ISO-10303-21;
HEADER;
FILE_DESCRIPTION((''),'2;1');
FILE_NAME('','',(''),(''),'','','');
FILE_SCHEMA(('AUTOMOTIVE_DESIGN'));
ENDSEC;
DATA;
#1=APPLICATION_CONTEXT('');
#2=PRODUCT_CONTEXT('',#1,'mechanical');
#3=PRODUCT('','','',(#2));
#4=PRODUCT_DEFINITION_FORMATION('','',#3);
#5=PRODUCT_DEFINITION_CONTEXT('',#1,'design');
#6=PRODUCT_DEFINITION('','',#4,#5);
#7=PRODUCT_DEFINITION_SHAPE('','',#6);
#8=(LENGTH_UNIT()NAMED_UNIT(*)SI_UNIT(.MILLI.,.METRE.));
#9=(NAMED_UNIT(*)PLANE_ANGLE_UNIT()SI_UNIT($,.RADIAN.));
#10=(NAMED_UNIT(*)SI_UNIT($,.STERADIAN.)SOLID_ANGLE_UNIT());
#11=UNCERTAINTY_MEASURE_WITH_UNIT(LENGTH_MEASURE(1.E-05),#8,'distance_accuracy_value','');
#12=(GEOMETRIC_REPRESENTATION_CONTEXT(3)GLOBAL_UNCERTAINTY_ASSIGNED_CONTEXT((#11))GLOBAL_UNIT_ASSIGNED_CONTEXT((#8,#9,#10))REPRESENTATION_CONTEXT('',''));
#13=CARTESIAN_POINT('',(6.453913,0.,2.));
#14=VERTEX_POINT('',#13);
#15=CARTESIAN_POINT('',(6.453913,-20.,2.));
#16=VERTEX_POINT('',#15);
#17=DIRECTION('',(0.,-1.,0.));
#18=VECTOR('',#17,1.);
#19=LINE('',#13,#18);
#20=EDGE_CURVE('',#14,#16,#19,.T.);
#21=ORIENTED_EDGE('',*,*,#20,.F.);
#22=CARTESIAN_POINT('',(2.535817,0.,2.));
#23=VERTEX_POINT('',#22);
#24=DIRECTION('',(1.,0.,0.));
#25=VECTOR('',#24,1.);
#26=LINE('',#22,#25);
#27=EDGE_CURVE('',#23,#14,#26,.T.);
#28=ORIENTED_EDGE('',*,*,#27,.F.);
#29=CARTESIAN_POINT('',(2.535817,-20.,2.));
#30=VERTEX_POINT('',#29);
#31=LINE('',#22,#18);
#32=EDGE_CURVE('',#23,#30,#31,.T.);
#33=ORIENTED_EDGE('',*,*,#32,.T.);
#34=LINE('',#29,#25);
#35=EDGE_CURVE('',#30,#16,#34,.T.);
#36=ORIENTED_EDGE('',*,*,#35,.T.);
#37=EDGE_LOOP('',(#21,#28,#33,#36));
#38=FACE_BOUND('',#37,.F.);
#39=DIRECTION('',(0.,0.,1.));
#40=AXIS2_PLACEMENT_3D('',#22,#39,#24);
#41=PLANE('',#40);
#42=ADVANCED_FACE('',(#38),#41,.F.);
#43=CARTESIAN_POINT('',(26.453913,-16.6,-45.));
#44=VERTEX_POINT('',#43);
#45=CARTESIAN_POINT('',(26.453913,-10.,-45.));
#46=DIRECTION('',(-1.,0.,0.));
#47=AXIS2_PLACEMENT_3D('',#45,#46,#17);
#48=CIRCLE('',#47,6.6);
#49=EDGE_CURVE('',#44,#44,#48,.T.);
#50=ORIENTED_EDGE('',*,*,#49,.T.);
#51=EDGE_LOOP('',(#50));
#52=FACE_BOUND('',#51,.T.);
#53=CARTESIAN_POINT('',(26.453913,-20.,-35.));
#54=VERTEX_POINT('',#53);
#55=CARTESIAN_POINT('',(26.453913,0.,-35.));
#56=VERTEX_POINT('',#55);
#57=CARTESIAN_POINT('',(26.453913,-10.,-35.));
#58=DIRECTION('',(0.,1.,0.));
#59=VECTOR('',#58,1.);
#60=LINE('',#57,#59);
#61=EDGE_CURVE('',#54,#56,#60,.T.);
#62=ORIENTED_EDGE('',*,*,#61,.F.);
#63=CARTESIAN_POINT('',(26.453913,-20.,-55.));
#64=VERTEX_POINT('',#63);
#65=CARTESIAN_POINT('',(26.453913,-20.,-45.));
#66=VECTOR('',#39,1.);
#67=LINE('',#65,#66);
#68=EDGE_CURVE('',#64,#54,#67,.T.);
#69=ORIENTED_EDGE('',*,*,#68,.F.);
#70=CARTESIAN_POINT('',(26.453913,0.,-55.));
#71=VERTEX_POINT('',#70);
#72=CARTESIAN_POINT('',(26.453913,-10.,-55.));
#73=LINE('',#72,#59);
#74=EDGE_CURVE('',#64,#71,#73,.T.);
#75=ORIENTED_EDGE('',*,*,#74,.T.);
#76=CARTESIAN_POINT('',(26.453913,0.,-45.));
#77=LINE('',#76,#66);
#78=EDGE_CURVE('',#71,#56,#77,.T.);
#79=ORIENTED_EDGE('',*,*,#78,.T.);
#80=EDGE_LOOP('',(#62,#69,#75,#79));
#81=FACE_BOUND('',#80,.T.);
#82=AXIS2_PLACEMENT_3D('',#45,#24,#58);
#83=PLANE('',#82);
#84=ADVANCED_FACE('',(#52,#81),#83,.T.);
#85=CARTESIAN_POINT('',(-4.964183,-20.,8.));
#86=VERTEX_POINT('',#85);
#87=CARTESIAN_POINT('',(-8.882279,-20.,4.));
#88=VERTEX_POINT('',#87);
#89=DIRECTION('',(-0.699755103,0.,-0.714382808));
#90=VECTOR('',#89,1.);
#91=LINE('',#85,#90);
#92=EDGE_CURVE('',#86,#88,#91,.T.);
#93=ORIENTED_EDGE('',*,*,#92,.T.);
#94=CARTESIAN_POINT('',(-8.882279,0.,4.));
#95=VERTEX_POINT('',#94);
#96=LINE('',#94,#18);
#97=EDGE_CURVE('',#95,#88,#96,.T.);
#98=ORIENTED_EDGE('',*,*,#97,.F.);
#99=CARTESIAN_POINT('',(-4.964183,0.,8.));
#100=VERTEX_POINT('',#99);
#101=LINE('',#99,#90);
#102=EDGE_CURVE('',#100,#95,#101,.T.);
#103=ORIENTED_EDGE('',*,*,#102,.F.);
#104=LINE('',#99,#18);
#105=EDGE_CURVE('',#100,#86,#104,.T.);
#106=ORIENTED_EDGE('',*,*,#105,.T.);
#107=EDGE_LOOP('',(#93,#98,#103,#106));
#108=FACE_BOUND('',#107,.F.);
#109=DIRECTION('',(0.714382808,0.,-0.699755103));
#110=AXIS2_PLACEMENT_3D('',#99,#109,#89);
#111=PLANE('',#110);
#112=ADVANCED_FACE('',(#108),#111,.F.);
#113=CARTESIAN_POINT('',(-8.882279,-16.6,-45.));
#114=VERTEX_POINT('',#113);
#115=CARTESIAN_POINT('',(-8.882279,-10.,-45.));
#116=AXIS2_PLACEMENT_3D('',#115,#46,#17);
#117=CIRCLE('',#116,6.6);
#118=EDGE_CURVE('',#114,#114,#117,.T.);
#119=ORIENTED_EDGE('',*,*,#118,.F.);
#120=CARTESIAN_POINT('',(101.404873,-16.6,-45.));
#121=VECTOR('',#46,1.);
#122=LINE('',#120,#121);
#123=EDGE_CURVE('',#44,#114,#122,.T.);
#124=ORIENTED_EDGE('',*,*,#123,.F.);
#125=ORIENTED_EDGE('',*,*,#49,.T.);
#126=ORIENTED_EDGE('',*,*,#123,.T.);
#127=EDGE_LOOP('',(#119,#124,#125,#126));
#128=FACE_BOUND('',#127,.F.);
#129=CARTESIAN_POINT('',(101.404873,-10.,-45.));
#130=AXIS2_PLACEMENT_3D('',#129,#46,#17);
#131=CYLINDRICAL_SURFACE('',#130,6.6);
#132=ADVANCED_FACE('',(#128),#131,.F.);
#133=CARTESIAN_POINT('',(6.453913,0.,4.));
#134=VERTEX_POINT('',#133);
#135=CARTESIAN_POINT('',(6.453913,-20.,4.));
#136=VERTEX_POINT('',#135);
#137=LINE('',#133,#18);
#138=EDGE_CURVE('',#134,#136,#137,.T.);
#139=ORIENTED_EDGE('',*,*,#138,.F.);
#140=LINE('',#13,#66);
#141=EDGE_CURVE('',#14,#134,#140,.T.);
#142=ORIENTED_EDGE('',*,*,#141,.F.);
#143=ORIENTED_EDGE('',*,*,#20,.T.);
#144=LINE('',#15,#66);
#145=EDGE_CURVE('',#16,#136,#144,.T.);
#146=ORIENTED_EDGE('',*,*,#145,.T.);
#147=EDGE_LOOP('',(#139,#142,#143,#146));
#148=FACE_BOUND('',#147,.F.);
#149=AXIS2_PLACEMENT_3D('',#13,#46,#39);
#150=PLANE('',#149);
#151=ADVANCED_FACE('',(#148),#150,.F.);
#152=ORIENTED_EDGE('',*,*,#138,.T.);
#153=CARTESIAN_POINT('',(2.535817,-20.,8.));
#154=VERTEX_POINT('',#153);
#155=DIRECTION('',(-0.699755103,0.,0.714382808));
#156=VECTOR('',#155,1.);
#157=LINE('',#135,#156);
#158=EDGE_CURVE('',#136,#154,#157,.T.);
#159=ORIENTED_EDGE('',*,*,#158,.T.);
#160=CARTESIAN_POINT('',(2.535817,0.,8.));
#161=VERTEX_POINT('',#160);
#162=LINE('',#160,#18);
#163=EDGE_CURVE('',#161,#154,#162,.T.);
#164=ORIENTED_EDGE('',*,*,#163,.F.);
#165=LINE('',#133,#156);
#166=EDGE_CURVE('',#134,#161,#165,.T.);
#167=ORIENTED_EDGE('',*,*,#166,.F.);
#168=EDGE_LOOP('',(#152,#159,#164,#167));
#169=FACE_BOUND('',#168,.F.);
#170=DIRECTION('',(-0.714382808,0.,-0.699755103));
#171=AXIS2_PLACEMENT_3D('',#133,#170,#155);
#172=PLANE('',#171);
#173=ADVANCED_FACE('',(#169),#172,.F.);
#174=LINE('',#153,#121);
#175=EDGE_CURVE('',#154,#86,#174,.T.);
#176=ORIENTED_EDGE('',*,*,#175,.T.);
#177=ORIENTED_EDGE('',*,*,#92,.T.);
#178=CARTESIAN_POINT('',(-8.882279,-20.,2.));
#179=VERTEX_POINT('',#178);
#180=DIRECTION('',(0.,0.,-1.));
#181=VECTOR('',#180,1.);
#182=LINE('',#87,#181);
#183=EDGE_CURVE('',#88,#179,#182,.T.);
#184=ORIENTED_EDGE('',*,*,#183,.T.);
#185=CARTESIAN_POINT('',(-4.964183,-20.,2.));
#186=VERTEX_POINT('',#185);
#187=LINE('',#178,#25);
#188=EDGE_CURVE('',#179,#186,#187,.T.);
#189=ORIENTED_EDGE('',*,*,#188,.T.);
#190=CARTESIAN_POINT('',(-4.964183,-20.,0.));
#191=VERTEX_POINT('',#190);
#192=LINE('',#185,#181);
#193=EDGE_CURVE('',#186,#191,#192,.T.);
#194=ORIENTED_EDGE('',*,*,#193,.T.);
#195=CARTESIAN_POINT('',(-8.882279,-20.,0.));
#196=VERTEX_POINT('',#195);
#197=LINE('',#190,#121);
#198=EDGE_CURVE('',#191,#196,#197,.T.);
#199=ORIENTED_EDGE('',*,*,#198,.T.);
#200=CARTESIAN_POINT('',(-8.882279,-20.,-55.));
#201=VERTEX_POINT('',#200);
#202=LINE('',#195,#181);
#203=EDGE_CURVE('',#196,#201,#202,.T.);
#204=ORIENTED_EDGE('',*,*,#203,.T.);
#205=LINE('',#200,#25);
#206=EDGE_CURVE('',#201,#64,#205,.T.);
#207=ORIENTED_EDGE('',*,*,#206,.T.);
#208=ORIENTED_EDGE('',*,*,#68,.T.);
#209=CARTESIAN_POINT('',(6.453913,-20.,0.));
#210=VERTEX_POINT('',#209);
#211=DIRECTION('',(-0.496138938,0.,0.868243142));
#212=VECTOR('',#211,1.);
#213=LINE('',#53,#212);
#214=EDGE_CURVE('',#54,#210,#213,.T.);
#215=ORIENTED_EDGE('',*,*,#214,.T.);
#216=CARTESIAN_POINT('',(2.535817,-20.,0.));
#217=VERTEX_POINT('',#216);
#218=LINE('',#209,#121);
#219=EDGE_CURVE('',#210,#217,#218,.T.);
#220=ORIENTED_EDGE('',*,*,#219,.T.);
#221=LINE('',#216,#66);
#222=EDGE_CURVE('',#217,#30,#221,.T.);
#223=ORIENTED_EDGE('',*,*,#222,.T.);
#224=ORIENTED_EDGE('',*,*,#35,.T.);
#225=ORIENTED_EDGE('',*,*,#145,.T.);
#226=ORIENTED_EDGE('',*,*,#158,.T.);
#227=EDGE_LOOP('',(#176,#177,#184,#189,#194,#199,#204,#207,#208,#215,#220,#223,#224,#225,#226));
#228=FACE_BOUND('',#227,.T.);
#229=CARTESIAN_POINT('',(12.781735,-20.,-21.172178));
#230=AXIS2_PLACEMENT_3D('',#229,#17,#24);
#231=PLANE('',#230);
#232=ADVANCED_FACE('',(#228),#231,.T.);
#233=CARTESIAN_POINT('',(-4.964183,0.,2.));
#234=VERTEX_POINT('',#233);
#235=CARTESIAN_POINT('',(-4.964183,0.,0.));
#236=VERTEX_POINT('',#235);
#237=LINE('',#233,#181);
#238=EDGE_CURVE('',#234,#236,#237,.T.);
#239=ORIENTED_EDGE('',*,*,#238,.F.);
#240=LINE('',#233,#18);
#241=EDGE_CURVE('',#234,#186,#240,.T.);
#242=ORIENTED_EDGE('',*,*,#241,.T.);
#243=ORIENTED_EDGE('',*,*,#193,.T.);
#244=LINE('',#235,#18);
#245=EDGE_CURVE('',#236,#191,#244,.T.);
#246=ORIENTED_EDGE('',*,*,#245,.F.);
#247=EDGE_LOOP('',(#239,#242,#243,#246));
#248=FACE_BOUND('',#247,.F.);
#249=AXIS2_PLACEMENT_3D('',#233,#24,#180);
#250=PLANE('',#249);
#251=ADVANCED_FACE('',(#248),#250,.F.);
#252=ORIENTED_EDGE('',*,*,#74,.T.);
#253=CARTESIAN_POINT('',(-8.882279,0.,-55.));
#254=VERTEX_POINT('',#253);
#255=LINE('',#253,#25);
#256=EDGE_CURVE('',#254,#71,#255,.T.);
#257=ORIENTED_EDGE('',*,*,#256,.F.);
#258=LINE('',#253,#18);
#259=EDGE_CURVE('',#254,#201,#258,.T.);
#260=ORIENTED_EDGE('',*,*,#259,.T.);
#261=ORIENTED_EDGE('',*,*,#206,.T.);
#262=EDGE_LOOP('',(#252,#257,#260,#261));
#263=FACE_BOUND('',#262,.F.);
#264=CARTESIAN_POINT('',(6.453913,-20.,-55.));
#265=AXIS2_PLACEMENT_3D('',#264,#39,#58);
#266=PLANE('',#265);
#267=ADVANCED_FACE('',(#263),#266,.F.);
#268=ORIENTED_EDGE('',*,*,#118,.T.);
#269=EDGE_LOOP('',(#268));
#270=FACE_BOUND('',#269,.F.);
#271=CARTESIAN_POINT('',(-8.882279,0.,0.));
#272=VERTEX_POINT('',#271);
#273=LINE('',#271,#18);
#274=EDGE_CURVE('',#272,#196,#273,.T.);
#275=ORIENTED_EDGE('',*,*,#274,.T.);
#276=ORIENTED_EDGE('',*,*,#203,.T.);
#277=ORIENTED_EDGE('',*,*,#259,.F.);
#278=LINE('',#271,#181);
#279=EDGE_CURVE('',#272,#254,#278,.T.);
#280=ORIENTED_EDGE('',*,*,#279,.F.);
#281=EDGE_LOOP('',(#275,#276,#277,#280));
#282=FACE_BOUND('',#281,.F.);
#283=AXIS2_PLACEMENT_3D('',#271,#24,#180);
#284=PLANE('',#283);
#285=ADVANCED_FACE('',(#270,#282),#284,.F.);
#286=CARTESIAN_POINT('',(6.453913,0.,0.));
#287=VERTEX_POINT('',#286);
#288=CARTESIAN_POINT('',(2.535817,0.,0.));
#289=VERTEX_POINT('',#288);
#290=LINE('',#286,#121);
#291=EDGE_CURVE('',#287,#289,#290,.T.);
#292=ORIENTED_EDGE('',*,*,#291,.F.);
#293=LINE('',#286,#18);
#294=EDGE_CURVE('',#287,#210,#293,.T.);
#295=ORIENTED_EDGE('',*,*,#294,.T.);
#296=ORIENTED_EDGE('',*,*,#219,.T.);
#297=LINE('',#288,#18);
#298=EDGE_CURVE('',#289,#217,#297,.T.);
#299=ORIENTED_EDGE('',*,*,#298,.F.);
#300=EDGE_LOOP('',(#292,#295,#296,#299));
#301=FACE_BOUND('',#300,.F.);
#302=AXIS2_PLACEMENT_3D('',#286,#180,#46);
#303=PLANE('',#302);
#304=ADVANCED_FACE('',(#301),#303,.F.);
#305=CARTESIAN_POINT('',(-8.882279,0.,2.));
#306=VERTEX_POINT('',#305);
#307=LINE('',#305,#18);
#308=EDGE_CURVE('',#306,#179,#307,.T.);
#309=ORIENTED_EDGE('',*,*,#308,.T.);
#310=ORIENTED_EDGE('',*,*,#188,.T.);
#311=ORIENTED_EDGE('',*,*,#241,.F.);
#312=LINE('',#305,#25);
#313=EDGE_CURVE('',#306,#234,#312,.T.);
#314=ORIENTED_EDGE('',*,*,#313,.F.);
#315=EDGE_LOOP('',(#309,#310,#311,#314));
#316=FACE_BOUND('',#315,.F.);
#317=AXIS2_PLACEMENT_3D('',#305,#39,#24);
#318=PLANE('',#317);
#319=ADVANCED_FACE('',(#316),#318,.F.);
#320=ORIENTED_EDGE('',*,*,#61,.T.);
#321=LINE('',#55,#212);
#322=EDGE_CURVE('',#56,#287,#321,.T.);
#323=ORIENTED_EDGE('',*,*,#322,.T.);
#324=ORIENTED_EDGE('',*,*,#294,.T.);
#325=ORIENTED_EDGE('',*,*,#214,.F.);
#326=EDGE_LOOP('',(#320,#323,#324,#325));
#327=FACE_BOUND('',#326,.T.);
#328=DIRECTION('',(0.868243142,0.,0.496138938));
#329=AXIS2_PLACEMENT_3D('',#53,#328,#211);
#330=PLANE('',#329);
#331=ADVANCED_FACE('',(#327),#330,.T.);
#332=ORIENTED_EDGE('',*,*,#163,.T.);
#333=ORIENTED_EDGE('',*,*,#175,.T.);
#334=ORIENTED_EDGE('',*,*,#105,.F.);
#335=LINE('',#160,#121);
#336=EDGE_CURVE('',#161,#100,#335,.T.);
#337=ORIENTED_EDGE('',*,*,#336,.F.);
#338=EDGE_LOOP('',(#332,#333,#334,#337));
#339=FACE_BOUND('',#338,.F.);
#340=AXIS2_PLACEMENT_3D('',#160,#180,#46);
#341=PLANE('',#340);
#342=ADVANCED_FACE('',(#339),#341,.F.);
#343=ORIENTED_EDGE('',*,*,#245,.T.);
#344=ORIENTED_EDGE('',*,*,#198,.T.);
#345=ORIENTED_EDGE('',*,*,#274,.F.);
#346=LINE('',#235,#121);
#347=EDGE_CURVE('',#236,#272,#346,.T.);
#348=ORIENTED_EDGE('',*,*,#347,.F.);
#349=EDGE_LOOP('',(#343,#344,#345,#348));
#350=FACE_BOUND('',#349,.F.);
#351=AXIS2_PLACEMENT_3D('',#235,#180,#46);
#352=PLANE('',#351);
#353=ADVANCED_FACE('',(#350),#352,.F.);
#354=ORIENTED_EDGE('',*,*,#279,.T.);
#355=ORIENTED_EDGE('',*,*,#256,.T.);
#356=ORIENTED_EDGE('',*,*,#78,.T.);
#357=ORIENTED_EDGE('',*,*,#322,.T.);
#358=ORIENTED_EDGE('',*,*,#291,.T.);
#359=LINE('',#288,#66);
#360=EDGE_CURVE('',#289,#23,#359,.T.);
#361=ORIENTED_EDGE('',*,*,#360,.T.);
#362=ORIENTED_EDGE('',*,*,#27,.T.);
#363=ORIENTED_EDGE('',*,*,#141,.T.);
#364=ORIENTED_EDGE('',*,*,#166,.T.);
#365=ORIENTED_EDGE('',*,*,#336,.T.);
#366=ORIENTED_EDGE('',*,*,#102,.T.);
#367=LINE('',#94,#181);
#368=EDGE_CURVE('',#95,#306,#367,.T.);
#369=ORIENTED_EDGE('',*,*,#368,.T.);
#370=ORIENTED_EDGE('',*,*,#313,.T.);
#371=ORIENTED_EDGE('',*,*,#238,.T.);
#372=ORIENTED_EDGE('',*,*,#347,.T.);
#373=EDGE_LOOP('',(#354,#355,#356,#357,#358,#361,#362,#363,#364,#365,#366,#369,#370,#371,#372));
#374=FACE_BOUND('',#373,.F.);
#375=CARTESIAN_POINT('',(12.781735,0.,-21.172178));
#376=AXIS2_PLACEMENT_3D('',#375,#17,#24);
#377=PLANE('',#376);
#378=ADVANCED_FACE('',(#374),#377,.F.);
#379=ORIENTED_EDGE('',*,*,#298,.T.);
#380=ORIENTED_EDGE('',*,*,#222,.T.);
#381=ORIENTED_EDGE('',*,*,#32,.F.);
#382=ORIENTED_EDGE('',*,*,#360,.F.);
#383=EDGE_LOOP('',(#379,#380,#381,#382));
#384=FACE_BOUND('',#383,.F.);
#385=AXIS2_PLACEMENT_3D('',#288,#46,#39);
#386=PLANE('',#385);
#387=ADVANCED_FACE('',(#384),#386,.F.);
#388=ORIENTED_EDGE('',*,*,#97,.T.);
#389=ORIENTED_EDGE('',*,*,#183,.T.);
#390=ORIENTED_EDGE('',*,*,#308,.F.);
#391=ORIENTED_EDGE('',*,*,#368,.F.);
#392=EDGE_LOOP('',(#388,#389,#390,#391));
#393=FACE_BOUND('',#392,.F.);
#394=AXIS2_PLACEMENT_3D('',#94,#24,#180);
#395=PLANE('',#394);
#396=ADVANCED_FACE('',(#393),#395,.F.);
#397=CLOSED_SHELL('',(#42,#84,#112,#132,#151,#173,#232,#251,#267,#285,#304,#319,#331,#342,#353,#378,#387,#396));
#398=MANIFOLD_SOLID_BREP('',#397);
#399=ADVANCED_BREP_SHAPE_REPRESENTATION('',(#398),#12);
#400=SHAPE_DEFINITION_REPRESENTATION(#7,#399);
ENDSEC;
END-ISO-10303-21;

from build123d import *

# Parameters (mm, degrees)
F1_DEPTH = 20
F2_W     = 20
F2_H     = 20
F3_DEPTH = 20
F5_D     = 13.2
F7_DEPTH = 20


with BuildPart() as f1:
    # F0 (on Front) → F1 (new body)
    with BuildSketch(Plane.XZ):
        Polygon((-4.964183461, 2), (-4.964183461, 0), (2.535816539, 0), (2.535816539, 2), (6.453912527, 2), (6.453912527, 4), (2.535816539, 8), (-4.964183461, 8), (-8.8822794489, 4), (-8.8822794489, 2), align=None)
        Polygon((2.535816539, 0), (-4.964183461, 0), (-8.8822794489, 0), (-8.8822794489, -55), (6.453912527, -55), (6.453912527, 0), align=None)
    extrude(amount=F1_DEPTH)

    # F2 (on face) → F3 (join)
    with BuildSketch(Plane.YZ.offset(6.453912527)):
        with Locations((-10, -45)):
            Rectangle(F2_W, F2_H)
    extrude(amount=F3_DEPTH)

    # F5 (through all)
    with Locations(Plane.YZ.offset(26.453912527)):
        with Locations((-10, -45)):
            Hole(F5_D / 2)

    # F6 (on face) → F7 (join)
    with BuildSketch(Plane.XZ.offset(20)):
        Polygon((6.453912527, -35), (26.453912527, -35), (6.453912527, 0), align=None)
    extrude(amount=-F7_DEPTH)


solid = f1.part
